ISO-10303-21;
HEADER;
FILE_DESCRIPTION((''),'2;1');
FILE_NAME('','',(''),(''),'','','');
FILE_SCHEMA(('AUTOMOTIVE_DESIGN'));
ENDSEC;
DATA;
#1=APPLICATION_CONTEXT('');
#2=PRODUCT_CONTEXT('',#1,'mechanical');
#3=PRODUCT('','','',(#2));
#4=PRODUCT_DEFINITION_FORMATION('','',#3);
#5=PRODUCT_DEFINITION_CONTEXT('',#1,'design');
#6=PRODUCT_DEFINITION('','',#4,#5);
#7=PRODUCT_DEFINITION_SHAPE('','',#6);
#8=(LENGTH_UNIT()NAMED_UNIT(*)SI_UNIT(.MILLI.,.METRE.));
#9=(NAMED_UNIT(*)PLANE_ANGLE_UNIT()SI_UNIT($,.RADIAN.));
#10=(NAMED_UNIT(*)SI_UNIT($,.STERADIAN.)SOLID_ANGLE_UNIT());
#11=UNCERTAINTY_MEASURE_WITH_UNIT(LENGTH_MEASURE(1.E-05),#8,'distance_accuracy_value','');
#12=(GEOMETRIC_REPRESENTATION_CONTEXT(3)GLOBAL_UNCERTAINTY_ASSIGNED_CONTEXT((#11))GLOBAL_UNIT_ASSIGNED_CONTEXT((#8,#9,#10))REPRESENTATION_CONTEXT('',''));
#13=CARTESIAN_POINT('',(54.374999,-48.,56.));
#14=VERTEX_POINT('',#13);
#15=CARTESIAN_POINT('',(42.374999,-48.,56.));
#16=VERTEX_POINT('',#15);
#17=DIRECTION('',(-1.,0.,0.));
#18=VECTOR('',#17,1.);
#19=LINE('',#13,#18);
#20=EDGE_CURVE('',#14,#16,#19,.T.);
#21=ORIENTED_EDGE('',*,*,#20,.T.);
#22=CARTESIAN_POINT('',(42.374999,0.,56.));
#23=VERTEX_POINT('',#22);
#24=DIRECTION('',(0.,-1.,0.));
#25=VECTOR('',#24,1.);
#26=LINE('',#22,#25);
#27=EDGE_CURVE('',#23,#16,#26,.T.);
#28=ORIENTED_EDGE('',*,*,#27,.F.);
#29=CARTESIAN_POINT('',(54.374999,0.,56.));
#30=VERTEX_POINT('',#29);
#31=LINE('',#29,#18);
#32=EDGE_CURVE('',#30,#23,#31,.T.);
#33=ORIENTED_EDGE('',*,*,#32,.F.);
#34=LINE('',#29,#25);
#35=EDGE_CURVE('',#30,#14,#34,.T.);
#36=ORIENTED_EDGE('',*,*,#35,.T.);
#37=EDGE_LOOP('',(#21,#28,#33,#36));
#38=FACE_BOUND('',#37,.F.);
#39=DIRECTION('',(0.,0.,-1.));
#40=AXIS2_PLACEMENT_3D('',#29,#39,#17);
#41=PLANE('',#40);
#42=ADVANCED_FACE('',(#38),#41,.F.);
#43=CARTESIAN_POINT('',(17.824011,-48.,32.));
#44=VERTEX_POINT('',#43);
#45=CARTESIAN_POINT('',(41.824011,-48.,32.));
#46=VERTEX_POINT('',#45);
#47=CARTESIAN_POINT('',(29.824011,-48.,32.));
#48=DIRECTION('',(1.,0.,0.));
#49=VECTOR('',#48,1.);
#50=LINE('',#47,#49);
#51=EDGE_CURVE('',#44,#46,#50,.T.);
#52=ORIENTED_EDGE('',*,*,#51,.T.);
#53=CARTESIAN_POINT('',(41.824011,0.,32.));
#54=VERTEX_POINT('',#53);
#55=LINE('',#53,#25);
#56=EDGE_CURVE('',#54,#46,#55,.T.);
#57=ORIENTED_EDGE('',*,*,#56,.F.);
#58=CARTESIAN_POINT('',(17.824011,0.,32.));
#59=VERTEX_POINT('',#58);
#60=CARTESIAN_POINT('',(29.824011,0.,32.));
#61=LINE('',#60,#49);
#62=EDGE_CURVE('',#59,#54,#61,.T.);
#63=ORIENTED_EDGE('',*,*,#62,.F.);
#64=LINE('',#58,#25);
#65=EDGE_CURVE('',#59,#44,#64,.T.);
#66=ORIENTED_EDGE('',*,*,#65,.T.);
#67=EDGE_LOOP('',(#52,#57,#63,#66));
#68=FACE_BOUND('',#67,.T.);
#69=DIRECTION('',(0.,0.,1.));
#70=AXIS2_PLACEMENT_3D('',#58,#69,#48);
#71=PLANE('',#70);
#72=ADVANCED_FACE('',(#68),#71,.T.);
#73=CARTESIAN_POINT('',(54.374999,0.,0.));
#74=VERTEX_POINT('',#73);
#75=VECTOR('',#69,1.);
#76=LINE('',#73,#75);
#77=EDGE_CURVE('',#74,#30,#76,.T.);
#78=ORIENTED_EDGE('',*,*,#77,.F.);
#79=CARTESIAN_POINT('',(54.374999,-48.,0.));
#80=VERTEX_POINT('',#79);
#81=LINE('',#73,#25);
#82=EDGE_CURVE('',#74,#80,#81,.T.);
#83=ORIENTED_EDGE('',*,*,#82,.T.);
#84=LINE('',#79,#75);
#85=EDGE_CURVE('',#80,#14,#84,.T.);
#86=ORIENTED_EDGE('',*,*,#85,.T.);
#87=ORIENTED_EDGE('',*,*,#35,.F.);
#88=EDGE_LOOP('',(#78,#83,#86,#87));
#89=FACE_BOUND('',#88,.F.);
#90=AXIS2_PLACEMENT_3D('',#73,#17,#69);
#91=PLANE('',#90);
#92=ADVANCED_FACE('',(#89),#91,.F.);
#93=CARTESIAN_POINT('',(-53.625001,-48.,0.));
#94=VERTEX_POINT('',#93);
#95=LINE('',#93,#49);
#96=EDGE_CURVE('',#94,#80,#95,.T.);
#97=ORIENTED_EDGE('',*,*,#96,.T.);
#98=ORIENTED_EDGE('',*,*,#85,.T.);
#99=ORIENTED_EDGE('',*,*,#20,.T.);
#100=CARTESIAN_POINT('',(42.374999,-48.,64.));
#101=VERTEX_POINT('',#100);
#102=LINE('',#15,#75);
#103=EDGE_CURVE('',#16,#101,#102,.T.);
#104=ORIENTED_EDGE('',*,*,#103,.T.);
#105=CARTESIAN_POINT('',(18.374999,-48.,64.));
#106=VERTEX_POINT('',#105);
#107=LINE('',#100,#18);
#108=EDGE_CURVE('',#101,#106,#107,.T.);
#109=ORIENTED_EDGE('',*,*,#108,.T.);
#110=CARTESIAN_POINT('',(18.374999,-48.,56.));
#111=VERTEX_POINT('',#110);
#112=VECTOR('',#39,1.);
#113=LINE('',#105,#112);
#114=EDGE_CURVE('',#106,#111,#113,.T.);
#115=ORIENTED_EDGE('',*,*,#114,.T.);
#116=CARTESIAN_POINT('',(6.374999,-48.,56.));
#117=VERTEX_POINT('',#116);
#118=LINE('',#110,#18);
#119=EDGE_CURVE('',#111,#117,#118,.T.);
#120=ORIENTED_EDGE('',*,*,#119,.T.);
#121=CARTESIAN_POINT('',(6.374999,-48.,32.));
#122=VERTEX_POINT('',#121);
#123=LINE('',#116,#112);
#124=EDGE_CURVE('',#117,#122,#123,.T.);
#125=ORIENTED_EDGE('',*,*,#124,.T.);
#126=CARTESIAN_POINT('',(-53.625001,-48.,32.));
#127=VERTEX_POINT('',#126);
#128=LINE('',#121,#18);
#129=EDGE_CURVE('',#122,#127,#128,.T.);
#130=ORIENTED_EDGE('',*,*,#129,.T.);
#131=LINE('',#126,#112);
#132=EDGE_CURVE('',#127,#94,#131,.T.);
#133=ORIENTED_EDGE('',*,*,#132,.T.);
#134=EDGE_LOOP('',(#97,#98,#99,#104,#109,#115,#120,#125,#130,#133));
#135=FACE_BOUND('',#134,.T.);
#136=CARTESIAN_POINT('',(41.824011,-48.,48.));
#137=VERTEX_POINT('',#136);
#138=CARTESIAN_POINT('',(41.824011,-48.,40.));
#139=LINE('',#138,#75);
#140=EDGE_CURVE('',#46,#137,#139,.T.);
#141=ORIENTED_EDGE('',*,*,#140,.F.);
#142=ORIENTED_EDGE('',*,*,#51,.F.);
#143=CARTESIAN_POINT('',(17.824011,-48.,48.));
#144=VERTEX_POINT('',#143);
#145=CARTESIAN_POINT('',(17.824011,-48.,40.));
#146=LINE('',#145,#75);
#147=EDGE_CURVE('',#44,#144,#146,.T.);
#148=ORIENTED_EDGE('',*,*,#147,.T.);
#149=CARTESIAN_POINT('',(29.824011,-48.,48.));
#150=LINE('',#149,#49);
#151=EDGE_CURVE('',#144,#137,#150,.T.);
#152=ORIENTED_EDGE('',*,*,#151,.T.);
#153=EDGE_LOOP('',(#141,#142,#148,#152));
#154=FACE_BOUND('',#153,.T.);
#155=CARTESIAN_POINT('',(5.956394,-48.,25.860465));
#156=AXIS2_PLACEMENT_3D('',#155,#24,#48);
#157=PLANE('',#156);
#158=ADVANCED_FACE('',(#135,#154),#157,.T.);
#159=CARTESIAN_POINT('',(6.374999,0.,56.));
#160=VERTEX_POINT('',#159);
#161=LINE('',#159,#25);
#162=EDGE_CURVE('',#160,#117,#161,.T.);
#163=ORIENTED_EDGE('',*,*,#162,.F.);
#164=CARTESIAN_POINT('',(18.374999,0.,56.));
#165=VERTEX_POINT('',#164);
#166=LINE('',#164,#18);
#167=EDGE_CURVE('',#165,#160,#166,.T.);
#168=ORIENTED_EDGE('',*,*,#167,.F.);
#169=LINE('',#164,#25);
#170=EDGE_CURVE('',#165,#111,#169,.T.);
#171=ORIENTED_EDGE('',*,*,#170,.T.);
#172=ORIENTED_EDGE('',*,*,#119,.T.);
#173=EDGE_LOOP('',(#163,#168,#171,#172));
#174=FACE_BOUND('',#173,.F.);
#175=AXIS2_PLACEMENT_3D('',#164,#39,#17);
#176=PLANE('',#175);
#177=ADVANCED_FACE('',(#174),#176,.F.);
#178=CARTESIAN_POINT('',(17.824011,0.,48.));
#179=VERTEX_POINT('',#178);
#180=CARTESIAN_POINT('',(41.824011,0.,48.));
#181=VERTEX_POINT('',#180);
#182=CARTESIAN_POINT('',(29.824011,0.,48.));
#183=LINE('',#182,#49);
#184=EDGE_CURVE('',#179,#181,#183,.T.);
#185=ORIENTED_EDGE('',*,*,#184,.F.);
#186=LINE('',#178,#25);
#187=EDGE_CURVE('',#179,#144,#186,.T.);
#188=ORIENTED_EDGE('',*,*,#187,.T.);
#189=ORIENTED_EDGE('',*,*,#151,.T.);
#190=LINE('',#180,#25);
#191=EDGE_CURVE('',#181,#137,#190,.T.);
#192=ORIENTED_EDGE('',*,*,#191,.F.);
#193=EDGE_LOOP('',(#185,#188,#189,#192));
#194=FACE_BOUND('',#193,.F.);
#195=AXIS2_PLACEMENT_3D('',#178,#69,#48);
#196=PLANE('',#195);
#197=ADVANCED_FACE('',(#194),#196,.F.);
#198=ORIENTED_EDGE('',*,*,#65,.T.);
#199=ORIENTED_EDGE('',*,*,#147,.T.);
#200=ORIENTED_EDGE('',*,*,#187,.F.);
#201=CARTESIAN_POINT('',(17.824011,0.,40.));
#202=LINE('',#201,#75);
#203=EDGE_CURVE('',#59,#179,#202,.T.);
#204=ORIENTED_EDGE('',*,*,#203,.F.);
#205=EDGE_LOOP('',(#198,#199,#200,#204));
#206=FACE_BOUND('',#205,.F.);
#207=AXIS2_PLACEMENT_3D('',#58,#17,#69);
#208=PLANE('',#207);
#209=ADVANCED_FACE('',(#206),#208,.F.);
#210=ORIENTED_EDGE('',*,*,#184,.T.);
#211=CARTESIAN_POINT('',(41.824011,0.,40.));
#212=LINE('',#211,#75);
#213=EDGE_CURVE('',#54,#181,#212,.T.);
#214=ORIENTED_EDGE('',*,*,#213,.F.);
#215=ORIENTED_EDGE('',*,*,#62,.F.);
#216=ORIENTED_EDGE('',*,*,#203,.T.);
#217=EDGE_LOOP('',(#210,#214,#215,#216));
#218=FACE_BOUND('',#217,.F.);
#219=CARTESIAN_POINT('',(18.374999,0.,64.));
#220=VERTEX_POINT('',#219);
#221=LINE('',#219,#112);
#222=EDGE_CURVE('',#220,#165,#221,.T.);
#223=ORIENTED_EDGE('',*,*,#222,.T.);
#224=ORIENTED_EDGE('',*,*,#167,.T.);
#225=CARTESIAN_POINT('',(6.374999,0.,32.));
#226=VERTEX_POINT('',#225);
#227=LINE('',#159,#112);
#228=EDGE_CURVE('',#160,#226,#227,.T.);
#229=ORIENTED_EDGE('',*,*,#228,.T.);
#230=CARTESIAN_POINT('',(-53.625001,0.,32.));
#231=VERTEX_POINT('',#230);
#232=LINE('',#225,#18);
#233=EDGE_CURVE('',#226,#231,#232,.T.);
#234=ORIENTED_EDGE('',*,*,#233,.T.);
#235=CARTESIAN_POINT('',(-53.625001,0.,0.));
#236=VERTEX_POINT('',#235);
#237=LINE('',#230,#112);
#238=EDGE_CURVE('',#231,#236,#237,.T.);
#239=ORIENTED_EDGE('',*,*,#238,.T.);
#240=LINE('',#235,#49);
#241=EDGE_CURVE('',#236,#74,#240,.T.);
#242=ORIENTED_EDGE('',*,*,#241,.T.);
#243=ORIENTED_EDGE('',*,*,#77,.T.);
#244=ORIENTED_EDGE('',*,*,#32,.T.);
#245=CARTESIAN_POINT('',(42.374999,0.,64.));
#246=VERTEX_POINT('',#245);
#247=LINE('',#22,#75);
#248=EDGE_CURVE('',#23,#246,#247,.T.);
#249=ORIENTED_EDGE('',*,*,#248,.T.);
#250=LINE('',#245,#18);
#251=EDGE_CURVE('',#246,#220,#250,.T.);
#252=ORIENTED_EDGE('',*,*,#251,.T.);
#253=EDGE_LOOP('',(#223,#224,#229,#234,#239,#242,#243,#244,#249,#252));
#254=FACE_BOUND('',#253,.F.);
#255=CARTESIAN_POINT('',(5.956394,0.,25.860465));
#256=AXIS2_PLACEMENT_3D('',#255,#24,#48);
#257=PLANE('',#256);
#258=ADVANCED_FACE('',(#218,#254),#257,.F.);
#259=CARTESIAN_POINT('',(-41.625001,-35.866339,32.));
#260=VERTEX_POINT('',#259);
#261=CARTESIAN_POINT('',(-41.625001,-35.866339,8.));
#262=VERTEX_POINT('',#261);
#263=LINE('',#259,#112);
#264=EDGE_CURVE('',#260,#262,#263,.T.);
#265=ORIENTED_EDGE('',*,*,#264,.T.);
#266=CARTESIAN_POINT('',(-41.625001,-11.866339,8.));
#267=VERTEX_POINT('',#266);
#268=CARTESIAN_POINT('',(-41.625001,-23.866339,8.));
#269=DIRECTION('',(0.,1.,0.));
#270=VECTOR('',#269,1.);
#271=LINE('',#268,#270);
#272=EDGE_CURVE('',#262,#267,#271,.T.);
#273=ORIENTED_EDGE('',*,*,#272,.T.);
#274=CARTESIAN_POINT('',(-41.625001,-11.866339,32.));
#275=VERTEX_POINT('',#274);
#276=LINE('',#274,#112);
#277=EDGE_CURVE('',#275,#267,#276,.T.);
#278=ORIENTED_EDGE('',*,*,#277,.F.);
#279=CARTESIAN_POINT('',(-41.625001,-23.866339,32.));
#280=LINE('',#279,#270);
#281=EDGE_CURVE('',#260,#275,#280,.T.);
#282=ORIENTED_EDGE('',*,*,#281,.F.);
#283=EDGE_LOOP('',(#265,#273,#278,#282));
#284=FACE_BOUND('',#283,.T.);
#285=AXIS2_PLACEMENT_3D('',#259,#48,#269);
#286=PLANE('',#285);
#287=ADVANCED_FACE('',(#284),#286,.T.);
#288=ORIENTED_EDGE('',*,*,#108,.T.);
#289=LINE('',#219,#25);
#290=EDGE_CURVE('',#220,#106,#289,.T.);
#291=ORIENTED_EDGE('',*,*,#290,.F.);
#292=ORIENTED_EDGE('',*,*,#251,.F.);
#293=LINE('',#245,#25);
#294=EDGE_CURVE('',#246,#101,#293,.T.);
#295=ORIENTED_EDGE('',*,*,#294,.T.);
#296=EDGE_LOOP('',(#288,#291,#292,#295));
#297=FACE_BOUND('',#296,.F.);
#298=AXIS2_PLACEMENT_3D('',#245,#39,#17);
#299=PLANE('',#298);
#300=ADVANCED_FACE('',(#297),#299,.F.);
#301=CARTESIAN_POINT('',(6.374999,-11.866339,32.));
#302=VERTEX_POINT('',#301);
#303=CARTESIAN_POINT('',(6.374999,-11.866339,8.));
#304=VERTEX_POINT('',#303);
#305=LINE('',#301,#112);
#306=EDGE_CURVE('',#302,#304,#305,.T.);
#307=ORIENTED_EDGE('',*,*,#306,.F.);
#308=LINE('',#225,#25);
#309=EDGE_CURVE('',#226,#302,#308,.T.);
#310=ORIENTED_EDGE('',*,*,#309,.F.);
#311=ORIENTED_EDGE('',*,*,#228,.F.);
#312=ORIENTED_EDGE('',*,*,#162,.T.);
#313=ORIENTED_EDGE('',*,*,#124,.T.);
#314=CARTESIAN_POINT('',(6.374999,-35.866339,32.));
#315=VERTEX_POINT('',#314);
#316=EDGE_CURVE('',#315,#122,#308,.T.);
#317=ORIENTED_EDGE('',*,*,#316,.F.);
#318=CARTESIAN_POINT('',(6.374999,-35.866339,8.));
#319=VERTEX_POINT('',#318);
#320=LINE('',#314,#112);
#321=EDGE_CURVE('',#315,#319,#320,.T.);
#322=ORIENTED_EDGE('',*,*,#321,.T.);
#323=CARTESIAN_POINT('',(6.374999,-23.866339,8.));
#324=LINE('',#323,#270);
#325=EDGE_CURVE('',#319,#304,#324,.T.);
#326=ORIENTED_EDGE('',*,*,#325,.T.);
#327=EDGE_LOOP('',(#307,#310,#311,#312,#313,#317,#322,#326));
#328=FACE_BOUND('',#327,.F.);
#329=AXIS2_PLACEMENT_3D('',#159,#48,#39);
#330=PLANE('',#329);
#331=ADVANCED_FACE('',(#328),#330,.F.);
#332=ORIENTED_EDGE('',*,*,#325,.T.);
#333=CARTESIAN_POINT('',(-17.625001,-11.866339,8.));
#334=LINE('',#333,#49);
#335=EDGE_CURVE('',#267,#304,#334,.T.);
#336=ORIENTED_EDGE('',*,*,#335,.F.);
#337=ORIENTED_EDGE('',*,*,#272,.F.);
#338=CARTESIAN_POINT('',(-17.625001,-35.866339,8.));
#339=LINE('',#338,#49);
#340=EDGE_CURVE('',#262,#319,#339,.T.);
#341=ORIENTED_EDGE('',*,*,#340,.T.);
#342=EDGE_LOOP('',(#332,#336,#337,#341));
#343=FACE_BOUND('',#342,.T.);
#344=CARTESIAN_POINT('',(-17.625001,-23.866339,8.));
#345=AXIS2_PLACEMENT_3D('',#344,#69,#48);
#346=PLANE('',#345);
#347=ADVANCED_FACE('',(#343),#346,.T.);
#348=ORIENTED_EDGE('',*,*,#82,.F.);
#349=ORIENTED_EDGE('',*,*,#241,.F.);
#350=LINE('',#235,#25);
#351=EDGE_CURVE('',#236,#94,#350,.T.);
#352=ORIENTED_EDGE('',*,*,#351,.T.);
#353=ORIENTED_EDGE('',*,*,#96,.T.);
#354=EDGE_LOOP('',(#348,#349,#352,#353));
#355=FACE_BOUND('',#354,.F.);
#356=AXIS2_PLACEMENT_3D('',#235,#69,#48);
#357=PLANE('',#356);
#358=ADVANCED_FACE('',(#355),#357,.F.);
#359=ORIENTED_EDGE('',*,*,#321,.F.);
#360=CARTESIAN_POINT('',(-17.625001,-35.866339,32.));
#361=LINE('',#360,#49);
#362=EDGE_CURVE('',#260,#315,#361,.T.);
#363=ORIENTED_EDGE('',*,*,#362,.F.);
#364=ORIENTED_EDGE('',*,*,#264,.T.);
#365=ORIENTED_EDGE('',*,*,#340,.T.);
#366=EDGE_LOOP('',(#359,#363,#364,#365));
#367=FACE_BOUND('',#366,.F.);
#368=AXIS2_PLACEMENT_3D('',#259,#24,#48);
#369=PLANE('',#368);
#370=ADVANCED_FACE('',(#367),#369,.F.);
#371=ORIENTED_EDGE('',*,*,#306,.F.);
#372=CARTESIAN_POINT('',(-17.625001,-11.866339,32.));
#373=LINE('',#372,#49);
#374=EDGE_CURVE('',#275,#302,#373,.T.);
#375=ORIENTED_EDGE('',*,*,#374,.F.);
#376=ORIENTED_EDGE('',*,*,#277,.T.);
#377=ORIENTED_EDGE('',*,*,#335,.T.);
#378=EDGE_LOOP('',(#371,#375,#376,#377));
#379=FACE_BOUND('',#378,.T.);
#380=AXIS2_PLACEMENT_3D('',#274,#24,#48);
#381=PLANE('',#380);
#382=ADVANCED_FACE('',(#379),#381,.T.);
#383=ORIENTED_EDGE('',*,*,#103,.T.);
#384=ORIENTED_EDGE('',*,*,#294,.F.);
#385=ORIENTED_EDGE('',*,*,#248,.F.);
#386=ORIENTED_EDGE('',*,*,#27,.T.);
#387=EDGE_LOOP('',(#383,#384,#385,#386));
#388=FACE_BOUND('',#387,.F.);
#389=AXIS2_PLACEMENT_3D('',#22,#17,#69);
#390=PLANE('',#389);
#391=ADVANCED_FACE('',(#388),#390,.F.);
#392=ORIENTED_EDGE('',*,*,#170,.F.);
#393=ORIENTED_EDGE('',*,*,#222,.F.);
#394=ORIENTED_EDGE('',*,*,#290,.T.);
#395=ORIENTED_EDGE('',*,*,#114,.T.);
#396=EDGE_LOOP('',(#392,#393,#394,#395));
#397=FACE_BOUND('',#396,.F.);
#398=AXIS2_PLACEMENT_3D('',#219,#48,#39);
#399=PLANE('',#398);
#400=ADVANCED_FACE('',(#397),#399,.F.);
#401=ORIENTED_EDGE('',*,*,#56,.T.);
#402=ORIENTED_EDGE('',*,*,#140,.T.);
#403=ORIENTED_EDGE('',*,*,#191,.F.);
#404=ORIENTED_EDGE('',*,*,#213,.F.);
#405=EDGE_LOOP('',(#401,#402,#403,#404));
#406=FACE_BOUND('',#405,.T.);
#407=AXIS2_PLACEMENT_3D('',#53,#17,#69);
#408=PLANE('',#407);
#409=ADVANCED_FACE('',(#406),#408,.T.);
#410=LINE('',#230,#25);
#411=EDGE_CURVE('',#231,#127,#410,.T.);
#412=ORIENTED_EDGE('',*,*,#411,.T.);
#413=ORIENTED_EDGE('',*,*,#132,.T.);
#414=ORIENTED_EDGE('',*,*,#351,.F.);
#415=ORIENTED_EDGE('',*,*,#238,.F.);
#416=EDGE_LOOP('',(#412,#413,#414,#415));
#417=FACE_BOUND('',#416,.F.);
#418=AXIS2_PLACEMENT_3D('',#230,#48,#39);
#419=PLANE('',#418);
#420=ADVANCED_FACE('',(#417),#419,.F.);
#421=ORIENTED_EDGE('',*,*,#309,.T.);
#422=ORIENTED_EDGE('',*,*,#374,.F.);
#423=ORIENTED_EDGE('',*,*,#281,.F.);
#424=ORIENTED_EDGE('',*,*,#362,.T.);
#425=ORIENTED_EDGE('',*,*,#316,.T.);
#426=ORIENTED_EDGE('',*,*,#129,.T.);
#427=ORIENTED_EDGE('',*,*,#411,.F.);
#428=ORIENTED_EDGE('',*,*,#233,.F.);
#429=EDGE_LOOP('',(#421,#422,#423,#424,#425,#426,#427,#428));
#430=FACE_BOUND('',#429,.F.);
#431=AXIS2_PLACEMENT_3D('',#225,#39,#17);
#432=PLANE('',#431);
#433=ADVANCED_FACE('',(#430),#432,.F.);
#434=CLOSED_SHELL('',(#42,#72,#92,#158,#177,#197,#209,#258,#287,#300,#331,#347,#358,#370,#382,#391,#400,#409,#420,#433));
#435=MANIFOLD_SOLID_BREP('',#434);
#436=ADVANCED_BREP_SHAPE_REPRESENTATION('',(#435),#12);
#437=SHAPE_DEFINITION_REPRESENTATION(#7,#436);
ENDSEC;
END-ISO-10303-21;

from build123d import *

# Parameters (mm, degrees)
F0_W     = 24
F0_H     = 16
F1_DEPTH = 48
F2_W     = 48
F2_H     = 24
F3_DEPTH = 24


with BuildPart() as f1:
    # F0 (on Front) → F1 (new body)
    with BuildSketch(Plane.XZ):
        Polygon((-53.625001, 32), (-53.625001, 0), (54.374999, 0), (54.374999, 56), (42.374999, 56), (42.374999, 64), (18.374999, 64), (18.374999, 56), (6.374999, 56), (6.374999, 32), align=None)
        with Locations((29.824011, 40)):
            Rectangle(F0_W, F0_H, mode=Mode.SUBTRACT)
    extrude(amount=F1_DEPTH)

    # F2 (on face) → F3 (cut)
    with BuildSketch(Plane.XY.offset(32)):
        with Locations((-17.625001, -23.866339)):
            Rectangle(F2_W, F2_H)
    extrude(amount=-F3_DEPTH, mode=Mode.SUBTRACT)


solid = f1.part
